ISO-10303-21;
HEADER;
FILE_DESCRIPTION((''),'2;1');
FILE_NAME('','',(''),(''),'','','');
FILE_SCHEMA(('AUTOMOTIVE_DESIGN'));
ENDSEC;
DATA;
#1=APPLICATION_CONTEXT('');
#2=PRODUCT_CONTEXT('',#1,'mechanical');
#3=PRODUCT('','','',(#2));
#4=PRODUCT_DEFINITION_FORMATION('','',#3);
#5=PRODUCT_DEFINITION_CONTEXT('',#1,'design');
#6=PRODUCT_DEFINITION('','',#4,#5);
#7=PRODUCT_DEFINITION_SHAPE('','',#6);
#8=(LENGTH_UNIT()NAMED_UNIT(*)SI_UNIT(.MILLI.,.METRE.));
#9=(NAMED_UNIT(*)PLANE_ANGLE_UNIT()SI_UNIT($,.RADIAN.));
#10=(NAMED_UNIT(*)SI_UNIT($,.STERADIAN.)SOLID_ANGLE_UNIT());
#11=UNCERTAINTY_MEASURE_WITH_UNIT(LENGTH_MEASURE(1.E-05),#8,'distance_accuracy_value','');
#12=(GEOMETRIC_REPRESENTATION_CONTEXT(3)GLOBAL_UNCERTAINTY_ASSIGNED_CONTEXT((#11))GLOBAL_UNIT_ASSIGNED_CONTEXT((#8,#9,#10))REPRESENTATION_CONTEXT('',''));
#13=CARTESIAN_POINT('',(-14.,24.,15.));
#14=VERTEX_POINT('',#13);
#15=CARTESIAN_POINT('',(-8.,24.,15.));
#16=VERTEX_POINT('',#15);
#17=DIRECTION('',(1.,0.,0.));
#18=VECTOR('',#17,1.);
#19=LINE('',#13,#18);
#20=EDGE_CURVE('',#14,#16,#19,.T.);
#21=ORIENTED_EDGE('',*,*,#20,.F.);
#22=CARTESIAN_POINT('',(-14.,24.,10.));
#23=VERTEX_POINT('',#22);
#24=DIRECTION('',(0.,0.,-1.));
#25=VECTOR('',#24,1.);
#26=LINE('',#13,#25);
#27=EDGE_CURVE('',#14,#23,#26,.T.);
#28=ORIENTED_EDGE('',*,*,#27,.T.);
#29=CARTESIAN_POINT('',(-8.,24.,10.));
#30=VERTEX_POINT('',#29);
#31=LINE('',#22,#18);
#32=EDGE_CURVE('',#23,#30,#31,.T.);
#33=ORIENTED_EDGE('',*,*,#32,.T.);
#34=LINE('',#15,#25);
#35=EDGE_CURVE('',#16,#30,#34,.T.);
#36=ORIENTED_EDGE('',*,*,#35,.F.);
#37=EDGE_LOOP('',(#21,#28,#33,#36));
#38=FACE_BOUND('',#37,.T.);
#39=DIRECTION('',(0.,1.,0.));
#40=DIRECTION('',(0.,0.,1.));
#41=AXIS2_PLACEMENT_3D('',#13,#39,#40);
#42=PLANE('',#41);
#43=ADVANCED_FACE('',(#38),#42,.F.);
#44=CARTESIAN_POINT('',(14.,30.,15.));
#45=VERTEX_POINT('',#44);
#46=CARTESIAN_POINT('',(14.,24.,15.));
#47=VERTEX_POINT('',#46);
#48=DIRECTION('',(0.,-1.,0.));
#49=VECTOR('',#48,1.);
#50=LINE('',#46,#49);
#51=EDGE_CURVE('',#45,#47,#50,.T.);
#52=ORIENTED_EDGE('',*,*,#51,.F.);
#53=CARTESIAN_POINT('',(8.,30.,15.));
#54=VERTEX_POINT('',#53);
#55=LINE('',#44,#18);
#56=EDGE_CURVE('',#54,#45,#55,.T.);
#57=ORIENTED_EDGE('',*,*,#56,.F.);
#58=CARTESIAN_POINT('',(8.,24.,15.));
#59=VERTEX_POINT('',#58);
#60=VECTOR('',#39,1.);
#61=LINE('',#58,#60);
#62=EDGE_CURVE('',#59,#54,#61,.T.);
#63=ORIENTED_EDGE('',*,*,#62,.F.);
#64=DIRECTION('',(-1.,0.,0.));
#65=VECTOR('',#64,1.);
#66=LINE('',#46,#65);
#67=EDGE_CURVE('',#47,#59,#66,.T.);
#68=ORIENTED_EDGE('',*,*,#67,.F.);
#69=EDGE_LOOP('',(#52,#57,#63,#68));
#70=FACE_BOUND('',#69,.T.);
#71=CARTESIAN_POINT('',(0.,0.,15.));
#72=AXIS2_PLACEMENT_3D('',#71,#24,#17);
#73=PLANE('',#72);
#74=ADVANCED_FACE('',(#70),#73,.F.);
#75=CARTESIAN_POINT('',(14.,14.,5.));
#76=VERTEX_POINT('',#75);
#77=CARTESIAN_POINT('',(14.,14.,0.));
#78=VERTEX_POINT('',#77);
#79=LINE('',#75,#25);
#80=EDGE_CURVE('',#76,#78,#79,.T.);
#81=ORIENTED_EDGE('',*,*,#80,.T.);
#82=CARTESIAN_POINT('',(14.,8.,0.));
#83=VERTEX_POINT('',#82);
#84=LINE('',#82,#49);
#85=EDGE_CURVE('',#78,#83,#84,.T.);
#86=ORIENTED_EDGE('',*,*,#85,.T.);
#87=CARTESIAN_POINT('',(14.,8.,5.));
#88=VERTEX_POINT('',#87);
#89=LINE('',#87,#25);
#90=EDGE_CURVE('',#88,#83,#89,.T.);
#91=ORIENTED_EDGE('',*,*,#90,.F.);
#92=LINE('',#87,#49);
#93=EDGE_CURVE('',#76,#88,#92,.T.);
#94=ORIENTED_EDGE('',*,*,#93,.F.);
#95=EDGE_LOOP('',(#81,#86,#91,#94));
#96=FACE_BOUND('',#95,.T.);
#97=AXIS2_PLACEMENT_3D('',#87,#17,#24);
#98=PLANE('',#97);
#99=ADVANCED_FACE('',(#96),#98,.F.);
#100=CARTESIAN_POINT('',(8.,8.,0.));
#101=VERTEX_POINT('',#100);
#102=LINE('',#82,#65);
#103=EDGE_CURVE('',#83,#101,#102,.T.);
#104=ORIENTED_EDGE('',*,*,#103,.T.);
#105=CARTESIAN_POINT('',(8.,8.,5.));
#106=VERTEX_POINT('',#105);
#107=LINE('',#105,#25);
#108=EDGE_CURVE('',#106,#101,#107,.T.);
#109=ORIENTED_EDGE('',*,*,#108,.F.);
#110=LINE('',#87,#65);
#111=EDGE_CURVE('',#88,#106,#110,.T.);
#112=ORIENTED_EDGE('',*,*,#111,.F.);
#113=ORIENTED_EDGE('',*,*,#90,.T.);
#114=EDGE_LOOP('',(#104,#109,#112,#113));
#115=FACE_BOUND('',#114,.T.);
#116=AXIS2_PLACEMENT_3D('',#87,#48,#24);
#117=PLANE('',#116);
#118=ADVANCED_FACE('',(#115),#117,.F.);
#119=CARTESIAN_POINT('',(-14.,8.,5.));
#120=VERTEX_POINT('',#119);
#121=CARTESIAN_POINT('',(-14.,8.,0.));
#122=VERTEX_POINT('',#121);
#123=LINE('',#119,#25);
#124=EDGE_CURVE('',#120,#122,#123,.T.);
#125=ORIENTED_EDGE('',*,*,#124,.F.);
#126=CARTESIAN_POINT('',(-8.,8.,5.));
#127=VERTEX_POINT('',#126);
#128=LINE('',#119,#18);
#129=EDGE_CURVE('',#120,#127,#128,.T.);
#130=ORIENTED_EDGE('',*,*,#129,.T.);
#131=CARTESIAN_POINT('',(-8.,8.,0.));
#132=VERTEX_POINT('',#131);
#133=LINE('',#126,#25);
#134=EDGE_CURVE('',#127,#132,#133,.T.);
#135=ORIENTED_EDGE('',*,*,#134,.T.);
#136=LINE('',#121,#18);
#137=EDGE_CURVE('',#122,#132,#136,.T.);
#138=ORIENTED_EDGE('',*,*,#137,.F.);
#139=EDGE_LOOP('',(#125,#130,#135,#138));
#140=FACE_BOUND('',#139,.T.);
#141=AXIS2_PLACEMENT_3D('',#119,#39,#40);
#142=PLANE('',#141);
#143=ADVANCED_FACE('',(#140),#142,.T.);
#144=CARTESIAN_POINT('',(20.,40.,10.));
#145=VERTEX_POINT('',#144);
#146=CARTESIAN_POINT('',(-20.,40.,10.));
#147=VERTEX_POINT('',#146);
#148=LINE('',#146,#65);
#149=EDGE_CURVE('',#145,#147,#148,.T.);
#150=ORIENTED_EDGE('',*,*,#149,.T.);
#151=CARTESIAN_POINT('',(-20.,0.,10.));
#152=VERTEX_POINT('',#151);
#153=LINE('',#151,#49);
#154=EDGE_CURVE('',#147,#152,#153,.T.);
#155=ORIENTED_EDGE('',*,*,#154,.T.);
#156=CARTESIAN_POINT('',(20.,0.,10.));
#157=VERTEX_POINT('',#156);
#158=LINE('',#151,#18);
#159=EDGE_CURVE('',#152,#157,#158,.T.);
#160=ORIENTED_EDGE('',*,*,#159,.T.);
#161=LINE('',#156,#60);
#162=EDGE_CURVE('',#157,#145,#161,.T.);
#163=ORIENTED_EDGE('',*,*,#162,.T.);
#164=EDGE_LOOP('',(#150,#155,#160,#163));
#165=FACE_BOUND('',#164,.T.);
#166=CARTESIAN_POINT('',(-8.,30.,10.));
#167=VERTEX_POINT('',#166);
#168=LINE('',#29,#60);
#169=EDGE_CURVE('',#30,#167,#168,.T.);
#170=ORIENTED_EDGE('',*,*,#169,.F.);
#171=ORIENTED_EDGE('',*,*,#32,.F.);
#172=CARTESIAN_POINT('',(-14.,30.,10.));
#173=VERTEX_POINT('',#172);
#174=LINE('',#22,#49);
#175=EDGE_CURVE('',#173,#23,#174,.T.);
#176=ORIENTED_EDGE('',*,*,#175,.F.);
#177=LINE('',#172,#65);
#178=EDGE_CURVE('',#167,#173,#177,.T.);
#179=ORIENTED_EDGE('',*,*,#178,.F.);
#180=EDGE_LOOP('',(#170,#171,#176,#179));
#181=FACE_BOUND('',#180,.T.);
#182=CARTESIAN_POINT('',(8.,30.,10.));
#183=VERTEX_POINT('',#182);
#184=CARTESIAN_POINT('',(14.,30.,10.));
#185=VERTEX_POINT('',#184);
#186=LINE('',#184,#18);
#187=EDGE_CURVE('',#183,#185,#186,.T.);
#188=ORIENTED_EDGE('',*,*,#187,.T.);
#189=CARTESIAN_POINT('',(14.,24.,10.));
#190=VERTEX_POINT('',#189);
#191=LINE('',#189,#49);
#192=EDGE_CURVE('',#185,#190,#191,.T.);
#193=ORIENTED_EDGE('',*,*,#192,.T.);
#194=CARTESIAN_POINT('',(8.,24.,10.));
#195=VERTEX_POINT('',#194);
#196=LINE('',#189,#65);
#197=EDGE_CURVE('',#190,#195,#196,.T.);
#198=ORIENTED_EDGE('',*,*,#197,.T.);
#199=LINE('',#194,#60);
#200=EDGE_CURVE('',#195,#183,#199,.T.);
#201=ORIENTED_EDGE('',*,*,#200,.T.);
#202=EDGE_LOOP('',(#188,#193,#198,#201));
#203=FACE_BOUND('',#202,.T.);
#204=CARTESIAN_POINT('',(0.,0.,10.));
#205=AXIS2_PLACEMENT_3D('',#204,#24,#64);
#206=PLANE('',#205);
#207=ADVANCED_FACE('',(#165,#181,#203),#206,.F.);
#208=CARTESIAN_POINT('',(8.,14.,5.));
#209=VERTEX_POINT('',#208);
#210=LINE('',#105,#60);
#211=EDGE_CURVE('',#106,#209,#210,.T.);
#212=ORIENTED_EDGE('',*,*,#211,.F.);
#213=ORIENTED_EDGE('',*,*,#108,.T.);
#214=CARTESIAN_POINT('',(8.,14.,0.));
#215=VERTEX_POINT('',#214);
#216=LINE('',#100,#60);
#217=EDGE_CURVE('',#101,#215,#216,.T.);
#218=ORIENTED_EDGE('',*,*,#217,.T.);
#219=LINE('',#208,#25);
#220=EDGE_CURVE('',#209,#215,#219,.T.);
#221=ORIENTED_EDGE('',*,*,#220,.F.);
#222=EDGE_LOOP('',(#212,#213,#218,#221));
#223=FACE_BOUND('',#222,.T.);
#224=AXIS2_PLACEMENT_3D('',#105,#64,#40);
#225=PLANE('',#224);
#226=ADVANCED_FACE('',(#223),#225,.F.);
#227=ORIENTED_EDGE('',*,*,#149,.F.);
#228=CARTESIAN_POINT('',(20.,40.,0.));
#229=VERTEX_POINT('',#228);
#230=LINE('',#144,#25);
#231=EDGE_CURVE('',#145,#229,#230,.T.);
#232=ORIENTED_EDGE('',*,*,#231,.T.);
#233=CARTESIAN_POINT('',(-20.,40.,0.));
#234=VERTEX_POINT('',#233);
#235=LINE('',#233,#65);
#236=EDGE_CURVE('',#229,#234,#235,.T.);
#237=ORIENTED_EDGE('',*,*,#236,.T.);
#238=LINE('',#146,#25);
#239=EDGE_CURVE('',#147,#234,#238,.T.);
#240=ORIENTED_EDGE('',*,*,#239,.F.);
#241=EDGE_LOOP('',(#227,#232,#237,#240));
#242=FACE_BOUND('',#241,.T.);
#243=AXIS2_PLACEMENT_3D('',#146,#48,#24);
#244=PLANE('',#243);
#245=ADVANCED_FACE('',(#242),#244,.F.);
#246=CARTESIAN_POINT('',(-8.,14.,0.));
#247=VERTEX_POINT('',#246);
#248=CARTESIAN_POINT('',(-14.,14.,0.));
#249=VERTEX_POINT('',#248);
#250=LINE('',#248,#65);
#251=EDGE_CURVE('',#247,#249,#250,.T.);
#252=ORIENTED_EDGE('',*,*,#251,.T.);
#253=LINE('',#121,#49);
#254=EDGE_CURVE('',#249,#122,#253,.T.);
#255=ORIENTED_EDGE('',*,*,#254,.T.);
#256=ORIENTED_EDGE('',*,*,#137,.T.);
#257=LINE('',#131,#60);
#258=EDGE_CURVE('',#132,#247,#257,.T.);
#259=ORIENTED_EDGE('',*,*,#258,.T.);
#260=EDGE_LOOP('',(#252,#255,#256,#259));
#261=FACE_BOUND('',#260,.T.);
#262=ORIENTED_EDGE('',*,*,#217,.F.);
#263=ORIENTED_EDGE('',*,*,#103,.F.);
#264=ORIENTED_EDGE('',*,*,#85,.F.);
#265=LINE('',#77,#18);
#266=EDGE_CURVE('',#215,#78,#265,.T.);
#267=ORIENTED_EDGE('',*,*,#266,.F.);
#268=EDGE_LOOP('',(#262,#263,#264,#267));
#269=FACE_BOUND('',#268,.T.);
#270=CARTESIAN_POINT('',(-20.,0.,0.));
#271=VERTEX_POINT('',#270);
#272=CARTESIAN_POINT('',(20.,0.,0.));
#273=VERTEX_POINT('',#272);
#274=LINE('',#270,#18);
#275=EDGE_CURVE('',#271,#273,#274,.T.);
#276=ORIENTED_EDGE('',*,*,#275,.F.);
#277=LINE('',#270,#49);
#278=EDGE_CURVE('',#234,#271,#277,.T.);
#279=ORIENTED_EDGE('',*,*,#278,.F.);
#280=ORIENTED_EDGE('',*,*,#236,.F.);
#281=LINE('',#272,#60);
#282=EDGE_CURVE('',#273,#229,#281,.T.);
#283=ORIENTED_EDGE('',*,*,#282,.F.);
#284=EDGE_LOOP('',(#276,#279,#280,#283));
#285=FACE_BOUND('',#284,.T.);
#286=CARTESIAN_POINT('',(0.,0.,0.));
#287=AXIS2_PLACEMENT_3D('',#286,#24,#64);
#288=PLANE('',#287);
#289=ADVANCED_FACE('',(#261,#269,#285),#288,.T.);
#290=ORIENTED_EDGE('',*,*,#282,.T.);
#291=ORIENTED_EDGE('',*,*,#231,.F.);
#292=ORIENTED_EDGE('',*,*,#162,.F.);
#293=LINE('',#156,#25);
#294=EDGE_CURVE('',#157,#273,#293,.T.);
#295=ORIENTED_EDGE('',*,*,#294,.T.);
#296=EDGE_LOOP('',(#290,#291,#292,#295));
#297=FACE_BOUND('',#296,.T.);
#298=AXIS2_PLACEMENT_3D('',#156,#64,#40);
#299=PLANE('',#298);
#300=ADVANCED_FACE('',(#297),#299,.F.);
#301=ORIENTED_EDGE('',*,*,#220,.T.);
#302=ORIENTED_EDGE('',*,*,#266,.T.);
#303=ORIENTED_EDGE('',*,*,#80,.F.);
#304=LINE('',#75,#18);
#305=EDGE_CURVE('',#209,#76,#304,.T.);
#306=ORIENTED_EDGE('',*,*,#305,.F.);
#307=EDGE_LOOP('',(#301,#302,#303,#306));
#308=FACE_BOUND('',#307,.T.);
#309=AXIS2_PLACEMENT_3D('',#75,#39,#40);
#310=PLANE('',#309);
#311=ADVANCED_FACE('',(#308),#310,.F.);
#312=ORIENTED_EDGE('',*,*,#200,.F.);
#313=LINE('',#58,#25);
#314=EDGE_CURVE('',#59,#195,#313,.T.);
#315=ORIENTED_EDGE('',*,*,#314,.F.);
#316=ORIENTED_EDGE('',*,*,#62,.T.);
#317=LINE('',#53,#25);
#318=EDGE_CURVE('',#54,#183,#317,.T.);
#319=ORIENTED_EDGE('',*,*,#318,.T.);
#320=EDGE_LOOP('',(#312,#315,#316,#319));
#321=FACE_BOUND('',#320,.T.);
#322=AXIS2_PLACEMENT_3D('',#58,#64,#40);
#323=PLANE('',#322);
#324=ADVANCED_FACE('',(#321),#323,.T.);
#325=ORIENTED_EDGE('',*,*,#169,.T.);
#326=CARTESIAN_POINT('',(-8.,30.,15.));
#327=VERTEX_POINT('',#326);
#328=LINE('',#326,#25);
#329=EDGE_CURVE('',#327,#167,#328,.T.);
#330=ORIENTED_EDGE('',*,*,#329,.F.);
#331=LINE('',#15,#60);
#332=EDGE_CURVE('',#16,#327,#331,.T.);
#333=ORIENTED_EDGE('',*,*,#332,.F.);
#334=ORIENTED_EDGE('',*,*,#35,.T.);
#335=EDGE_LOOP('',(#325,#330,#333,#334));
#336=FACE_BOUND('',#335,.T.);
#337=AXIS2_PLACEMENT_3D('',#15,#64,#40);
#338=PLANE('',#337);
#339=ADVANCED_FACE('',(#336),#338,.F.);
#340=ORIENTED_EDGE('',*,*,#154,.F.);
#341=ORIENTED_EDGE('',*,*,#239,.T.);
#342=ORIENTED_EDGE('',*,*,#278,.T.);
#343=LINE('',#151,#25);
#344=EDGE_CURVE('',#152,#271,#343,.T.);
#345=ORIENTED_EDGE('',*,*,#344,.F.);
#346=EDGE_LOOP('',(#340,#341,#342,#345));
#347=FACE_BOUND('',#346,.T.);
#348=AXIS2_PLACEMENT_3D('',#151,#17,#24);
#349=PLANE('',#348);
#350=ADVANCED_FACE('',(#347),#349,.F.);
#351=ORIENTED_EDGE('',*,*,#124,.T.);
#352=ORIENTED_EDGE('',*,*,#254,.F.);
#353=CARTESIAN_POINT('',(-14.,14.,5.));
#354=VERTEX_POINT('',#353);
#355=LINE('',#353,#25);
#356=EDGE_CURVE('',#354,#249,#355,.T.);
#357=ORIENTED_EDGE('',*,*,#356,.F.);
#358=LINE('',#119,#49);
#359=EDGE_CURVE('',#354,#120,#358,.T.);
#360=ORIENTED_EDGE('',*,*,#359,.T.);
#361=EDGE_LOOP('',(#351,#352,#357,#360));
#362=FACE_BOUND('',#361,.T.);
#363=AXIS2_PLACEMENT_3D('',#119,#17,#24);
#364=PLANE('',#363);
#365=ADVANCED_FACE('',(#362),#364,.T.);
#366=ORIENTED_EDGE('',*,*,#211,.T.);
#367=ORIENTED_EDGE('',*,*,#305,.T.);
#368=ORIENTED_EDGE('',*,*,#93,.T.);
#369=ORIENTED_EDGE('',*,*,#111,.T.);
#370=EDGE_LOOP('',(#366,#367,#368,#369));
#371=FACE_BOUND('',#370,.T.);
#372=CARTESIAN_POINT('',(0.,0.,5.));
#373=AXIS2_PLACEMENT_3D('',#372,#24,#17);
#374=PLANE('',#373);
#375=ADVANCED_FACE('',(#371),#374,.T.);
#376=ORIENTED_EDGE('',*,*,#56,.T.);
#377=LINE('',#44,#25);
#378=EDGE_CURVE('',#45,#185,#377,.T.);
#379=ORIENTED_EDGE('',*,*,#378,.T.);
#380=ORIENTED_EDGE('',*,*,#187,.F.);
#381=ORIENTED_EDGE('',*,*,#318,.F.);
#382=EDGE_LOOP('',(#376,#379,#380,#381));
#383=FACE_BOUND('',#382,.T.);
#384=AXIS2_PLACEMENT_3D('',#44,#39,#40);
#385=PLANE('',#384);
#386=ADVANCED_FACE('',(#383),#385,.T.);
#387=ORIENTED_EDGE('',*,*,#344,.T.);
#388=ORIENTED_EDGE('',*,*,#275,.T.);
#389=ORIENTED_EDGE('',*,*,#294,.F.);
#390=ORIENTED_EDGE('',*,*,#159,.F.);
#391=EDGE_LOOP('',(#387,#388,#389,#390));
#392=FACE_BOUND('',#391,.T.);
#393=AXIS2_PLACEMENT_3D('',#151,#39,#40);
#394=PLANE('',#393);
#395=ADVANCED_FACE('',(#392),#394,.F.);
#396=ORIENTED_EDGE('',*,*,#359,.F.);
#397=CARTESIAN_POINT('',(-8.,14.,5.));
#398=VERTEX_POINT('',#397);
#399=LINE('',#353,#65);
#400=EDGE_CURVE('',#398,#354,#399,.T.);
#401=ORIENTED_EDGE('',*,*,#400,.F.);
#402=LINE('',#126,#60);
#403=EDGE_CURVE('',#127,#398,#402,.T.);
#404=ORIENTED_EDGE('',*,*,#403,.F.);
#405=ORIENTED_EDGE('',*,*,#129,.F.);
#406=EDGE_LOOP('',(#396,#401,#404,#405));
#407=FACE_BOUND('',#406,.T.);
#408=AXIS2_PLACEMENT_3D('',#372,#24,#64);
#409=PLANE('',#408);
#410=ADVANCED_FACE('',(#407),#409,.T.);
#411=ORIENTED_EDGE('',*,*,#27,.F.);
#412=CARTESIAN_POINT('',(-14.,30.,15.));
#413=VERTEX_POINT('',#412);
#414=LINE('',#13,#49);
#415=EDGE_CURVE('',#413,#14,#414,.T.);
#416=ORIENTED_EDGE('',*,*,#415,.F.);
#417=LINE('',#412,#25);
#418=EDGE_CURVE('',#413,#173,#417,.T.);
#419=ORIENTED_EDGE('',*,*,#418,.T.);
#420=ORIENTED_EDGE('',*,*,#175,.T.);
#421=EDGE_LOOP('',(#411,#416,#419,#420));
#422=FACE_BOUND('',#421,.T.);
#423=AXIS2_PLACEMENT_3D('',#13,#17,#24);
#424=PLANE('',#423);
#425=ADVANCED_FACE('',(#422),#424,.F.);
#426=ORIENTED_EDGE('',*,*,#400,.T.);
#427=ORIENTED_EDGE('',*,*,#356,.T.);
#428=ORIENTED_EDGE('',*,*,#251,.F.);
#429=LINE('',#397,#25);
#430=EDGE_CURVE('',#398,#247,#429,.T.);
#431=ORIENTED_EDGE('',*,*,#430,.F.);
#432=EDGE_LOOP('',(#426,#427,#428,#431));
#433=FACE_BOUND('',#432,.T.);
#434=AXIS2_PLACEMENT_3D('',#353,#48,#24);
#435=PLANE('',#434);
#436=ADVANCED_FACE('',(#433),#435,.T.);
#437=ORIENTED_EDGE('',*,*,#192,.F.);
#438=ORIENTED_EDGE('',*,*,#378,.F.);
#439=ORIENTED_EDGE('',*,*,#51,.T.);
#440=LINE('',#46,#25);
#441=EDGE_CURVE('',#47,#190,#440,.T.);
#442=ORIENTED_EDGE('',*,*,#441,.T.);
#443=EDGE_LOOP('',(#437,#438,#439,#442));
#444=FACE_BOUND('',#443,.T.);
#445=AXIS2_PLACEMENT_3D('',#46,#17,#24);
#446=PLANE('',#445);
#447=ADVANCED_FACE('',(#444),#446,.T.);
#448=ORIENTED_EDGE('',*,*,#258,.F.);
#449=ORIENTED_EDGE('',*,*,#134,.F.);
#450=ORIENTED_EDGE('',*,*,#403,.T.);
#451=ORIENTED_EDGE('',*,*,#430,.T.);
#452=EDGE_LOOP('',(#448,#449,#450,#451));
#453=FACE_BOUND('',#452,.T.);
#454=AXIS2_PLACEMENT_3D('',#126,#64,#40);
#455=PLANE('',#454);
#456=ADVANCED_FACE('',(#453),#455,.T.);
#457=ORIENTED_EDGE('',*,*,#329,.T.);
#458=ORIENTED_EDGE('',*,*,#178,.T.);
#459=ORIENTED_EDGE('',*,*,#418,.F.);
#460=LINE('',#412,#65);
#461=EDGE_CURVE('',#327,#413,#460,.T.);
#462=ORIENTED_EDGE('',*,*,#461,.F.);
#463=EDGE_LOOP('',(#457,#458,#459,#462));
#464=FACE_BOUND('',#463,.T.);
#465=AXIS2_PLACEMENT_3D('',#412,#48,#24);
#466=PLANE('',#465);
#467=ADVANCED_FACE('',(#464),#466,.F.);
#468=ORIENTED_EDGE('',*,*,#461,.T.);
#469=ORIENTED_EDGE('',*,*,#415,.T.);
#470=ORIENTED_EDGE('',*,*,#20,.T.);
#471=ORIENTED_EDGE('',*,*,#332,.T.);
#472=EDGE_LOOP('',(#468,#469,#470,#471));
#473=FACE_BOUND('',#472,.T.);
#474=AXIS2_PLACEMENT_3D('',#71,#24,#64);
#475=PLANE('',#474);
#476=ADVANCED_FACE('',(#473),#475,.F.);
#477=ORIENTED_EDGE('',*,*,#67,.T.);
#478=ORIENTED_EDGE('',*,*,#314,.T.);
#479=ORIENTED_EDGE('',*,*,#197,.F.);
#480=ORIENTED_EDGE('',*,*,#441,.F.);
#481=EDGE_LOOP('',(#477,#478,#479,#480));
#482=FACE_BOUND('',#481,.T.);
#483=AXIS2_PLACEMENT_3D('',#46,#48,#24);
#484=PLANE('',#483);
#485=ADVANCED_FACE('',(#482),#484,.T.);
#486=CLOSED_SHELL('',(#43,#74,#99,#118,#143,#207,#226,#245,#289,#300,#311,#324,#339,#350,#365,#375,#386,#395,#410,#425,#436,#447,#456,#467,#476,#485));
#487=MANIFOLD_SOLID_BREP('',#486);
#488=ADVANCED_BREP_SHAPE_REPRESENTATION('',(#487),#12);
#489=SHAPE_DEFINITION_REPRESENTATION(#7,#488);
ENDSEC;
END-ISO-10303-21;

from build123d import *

# Parameters (mm, degrees)
SKETCH1_W           = 40
SKETCH1_H           = 40
BOSS_EXTRUDE1_DEPTH = 10
SKETCH2_W           = 6
SKETCH2_H           = 6
CUT_EXTRUDE1_DEPTH  = 5
SKETCH3_W           = 6
SKETCH3_H           = 6
BOSS_EXTRUDE2_DEPTH = 5


with BuildPart() as part:
    # Sketch1 → Boss-Extrude1 (new body)
    with BuildSketch(Plane.XY):
        with Locations((0, 20)):
            Rectangle(SKETCH1_W, SKETCH1_H)
    extrude(amount=BOSS_EXTRUDE1_DEPTH)

    # Sketch2 → Cut-Extrude1 (cut)
    with BuildSketch(Plane.XY):
        with Locations((-11, 11)):
            Rectangle(SKETCH2_W, SKETCH2_H)
    cut_extrude1 = extrude(amount=CUT_EXTRUDE1_DEPTH, mode=Mode.SUBTRACT)

    # Sketch3 → Boss-Extrude2 (add)
    with BuildSketch(Plane.XY.offset(10)):
        with Locations((-11, 27)):
            Rectangle(SKETCH3_W, SKETCH3_H)
    boss_extrude2 = extrude(amount=BOSS_EXTRUDE2_DEPTH)

    # Mirror1: Cut-Extrude1, Boss-Extrude2 across plane
    add(cut_extrude1.mirror(Plane(origin=(0, 0, 0), x_dir=(0, 0, 1), z_dir=(1, 0, 0))), mode=Mode.SUBTRACT)
    add(boss_extrude2.mirror(Plane(origin=(0, 0, 0), x_dir=(0, 0, 1), z_dir=(1, 0, 0))))


solid = part.part
